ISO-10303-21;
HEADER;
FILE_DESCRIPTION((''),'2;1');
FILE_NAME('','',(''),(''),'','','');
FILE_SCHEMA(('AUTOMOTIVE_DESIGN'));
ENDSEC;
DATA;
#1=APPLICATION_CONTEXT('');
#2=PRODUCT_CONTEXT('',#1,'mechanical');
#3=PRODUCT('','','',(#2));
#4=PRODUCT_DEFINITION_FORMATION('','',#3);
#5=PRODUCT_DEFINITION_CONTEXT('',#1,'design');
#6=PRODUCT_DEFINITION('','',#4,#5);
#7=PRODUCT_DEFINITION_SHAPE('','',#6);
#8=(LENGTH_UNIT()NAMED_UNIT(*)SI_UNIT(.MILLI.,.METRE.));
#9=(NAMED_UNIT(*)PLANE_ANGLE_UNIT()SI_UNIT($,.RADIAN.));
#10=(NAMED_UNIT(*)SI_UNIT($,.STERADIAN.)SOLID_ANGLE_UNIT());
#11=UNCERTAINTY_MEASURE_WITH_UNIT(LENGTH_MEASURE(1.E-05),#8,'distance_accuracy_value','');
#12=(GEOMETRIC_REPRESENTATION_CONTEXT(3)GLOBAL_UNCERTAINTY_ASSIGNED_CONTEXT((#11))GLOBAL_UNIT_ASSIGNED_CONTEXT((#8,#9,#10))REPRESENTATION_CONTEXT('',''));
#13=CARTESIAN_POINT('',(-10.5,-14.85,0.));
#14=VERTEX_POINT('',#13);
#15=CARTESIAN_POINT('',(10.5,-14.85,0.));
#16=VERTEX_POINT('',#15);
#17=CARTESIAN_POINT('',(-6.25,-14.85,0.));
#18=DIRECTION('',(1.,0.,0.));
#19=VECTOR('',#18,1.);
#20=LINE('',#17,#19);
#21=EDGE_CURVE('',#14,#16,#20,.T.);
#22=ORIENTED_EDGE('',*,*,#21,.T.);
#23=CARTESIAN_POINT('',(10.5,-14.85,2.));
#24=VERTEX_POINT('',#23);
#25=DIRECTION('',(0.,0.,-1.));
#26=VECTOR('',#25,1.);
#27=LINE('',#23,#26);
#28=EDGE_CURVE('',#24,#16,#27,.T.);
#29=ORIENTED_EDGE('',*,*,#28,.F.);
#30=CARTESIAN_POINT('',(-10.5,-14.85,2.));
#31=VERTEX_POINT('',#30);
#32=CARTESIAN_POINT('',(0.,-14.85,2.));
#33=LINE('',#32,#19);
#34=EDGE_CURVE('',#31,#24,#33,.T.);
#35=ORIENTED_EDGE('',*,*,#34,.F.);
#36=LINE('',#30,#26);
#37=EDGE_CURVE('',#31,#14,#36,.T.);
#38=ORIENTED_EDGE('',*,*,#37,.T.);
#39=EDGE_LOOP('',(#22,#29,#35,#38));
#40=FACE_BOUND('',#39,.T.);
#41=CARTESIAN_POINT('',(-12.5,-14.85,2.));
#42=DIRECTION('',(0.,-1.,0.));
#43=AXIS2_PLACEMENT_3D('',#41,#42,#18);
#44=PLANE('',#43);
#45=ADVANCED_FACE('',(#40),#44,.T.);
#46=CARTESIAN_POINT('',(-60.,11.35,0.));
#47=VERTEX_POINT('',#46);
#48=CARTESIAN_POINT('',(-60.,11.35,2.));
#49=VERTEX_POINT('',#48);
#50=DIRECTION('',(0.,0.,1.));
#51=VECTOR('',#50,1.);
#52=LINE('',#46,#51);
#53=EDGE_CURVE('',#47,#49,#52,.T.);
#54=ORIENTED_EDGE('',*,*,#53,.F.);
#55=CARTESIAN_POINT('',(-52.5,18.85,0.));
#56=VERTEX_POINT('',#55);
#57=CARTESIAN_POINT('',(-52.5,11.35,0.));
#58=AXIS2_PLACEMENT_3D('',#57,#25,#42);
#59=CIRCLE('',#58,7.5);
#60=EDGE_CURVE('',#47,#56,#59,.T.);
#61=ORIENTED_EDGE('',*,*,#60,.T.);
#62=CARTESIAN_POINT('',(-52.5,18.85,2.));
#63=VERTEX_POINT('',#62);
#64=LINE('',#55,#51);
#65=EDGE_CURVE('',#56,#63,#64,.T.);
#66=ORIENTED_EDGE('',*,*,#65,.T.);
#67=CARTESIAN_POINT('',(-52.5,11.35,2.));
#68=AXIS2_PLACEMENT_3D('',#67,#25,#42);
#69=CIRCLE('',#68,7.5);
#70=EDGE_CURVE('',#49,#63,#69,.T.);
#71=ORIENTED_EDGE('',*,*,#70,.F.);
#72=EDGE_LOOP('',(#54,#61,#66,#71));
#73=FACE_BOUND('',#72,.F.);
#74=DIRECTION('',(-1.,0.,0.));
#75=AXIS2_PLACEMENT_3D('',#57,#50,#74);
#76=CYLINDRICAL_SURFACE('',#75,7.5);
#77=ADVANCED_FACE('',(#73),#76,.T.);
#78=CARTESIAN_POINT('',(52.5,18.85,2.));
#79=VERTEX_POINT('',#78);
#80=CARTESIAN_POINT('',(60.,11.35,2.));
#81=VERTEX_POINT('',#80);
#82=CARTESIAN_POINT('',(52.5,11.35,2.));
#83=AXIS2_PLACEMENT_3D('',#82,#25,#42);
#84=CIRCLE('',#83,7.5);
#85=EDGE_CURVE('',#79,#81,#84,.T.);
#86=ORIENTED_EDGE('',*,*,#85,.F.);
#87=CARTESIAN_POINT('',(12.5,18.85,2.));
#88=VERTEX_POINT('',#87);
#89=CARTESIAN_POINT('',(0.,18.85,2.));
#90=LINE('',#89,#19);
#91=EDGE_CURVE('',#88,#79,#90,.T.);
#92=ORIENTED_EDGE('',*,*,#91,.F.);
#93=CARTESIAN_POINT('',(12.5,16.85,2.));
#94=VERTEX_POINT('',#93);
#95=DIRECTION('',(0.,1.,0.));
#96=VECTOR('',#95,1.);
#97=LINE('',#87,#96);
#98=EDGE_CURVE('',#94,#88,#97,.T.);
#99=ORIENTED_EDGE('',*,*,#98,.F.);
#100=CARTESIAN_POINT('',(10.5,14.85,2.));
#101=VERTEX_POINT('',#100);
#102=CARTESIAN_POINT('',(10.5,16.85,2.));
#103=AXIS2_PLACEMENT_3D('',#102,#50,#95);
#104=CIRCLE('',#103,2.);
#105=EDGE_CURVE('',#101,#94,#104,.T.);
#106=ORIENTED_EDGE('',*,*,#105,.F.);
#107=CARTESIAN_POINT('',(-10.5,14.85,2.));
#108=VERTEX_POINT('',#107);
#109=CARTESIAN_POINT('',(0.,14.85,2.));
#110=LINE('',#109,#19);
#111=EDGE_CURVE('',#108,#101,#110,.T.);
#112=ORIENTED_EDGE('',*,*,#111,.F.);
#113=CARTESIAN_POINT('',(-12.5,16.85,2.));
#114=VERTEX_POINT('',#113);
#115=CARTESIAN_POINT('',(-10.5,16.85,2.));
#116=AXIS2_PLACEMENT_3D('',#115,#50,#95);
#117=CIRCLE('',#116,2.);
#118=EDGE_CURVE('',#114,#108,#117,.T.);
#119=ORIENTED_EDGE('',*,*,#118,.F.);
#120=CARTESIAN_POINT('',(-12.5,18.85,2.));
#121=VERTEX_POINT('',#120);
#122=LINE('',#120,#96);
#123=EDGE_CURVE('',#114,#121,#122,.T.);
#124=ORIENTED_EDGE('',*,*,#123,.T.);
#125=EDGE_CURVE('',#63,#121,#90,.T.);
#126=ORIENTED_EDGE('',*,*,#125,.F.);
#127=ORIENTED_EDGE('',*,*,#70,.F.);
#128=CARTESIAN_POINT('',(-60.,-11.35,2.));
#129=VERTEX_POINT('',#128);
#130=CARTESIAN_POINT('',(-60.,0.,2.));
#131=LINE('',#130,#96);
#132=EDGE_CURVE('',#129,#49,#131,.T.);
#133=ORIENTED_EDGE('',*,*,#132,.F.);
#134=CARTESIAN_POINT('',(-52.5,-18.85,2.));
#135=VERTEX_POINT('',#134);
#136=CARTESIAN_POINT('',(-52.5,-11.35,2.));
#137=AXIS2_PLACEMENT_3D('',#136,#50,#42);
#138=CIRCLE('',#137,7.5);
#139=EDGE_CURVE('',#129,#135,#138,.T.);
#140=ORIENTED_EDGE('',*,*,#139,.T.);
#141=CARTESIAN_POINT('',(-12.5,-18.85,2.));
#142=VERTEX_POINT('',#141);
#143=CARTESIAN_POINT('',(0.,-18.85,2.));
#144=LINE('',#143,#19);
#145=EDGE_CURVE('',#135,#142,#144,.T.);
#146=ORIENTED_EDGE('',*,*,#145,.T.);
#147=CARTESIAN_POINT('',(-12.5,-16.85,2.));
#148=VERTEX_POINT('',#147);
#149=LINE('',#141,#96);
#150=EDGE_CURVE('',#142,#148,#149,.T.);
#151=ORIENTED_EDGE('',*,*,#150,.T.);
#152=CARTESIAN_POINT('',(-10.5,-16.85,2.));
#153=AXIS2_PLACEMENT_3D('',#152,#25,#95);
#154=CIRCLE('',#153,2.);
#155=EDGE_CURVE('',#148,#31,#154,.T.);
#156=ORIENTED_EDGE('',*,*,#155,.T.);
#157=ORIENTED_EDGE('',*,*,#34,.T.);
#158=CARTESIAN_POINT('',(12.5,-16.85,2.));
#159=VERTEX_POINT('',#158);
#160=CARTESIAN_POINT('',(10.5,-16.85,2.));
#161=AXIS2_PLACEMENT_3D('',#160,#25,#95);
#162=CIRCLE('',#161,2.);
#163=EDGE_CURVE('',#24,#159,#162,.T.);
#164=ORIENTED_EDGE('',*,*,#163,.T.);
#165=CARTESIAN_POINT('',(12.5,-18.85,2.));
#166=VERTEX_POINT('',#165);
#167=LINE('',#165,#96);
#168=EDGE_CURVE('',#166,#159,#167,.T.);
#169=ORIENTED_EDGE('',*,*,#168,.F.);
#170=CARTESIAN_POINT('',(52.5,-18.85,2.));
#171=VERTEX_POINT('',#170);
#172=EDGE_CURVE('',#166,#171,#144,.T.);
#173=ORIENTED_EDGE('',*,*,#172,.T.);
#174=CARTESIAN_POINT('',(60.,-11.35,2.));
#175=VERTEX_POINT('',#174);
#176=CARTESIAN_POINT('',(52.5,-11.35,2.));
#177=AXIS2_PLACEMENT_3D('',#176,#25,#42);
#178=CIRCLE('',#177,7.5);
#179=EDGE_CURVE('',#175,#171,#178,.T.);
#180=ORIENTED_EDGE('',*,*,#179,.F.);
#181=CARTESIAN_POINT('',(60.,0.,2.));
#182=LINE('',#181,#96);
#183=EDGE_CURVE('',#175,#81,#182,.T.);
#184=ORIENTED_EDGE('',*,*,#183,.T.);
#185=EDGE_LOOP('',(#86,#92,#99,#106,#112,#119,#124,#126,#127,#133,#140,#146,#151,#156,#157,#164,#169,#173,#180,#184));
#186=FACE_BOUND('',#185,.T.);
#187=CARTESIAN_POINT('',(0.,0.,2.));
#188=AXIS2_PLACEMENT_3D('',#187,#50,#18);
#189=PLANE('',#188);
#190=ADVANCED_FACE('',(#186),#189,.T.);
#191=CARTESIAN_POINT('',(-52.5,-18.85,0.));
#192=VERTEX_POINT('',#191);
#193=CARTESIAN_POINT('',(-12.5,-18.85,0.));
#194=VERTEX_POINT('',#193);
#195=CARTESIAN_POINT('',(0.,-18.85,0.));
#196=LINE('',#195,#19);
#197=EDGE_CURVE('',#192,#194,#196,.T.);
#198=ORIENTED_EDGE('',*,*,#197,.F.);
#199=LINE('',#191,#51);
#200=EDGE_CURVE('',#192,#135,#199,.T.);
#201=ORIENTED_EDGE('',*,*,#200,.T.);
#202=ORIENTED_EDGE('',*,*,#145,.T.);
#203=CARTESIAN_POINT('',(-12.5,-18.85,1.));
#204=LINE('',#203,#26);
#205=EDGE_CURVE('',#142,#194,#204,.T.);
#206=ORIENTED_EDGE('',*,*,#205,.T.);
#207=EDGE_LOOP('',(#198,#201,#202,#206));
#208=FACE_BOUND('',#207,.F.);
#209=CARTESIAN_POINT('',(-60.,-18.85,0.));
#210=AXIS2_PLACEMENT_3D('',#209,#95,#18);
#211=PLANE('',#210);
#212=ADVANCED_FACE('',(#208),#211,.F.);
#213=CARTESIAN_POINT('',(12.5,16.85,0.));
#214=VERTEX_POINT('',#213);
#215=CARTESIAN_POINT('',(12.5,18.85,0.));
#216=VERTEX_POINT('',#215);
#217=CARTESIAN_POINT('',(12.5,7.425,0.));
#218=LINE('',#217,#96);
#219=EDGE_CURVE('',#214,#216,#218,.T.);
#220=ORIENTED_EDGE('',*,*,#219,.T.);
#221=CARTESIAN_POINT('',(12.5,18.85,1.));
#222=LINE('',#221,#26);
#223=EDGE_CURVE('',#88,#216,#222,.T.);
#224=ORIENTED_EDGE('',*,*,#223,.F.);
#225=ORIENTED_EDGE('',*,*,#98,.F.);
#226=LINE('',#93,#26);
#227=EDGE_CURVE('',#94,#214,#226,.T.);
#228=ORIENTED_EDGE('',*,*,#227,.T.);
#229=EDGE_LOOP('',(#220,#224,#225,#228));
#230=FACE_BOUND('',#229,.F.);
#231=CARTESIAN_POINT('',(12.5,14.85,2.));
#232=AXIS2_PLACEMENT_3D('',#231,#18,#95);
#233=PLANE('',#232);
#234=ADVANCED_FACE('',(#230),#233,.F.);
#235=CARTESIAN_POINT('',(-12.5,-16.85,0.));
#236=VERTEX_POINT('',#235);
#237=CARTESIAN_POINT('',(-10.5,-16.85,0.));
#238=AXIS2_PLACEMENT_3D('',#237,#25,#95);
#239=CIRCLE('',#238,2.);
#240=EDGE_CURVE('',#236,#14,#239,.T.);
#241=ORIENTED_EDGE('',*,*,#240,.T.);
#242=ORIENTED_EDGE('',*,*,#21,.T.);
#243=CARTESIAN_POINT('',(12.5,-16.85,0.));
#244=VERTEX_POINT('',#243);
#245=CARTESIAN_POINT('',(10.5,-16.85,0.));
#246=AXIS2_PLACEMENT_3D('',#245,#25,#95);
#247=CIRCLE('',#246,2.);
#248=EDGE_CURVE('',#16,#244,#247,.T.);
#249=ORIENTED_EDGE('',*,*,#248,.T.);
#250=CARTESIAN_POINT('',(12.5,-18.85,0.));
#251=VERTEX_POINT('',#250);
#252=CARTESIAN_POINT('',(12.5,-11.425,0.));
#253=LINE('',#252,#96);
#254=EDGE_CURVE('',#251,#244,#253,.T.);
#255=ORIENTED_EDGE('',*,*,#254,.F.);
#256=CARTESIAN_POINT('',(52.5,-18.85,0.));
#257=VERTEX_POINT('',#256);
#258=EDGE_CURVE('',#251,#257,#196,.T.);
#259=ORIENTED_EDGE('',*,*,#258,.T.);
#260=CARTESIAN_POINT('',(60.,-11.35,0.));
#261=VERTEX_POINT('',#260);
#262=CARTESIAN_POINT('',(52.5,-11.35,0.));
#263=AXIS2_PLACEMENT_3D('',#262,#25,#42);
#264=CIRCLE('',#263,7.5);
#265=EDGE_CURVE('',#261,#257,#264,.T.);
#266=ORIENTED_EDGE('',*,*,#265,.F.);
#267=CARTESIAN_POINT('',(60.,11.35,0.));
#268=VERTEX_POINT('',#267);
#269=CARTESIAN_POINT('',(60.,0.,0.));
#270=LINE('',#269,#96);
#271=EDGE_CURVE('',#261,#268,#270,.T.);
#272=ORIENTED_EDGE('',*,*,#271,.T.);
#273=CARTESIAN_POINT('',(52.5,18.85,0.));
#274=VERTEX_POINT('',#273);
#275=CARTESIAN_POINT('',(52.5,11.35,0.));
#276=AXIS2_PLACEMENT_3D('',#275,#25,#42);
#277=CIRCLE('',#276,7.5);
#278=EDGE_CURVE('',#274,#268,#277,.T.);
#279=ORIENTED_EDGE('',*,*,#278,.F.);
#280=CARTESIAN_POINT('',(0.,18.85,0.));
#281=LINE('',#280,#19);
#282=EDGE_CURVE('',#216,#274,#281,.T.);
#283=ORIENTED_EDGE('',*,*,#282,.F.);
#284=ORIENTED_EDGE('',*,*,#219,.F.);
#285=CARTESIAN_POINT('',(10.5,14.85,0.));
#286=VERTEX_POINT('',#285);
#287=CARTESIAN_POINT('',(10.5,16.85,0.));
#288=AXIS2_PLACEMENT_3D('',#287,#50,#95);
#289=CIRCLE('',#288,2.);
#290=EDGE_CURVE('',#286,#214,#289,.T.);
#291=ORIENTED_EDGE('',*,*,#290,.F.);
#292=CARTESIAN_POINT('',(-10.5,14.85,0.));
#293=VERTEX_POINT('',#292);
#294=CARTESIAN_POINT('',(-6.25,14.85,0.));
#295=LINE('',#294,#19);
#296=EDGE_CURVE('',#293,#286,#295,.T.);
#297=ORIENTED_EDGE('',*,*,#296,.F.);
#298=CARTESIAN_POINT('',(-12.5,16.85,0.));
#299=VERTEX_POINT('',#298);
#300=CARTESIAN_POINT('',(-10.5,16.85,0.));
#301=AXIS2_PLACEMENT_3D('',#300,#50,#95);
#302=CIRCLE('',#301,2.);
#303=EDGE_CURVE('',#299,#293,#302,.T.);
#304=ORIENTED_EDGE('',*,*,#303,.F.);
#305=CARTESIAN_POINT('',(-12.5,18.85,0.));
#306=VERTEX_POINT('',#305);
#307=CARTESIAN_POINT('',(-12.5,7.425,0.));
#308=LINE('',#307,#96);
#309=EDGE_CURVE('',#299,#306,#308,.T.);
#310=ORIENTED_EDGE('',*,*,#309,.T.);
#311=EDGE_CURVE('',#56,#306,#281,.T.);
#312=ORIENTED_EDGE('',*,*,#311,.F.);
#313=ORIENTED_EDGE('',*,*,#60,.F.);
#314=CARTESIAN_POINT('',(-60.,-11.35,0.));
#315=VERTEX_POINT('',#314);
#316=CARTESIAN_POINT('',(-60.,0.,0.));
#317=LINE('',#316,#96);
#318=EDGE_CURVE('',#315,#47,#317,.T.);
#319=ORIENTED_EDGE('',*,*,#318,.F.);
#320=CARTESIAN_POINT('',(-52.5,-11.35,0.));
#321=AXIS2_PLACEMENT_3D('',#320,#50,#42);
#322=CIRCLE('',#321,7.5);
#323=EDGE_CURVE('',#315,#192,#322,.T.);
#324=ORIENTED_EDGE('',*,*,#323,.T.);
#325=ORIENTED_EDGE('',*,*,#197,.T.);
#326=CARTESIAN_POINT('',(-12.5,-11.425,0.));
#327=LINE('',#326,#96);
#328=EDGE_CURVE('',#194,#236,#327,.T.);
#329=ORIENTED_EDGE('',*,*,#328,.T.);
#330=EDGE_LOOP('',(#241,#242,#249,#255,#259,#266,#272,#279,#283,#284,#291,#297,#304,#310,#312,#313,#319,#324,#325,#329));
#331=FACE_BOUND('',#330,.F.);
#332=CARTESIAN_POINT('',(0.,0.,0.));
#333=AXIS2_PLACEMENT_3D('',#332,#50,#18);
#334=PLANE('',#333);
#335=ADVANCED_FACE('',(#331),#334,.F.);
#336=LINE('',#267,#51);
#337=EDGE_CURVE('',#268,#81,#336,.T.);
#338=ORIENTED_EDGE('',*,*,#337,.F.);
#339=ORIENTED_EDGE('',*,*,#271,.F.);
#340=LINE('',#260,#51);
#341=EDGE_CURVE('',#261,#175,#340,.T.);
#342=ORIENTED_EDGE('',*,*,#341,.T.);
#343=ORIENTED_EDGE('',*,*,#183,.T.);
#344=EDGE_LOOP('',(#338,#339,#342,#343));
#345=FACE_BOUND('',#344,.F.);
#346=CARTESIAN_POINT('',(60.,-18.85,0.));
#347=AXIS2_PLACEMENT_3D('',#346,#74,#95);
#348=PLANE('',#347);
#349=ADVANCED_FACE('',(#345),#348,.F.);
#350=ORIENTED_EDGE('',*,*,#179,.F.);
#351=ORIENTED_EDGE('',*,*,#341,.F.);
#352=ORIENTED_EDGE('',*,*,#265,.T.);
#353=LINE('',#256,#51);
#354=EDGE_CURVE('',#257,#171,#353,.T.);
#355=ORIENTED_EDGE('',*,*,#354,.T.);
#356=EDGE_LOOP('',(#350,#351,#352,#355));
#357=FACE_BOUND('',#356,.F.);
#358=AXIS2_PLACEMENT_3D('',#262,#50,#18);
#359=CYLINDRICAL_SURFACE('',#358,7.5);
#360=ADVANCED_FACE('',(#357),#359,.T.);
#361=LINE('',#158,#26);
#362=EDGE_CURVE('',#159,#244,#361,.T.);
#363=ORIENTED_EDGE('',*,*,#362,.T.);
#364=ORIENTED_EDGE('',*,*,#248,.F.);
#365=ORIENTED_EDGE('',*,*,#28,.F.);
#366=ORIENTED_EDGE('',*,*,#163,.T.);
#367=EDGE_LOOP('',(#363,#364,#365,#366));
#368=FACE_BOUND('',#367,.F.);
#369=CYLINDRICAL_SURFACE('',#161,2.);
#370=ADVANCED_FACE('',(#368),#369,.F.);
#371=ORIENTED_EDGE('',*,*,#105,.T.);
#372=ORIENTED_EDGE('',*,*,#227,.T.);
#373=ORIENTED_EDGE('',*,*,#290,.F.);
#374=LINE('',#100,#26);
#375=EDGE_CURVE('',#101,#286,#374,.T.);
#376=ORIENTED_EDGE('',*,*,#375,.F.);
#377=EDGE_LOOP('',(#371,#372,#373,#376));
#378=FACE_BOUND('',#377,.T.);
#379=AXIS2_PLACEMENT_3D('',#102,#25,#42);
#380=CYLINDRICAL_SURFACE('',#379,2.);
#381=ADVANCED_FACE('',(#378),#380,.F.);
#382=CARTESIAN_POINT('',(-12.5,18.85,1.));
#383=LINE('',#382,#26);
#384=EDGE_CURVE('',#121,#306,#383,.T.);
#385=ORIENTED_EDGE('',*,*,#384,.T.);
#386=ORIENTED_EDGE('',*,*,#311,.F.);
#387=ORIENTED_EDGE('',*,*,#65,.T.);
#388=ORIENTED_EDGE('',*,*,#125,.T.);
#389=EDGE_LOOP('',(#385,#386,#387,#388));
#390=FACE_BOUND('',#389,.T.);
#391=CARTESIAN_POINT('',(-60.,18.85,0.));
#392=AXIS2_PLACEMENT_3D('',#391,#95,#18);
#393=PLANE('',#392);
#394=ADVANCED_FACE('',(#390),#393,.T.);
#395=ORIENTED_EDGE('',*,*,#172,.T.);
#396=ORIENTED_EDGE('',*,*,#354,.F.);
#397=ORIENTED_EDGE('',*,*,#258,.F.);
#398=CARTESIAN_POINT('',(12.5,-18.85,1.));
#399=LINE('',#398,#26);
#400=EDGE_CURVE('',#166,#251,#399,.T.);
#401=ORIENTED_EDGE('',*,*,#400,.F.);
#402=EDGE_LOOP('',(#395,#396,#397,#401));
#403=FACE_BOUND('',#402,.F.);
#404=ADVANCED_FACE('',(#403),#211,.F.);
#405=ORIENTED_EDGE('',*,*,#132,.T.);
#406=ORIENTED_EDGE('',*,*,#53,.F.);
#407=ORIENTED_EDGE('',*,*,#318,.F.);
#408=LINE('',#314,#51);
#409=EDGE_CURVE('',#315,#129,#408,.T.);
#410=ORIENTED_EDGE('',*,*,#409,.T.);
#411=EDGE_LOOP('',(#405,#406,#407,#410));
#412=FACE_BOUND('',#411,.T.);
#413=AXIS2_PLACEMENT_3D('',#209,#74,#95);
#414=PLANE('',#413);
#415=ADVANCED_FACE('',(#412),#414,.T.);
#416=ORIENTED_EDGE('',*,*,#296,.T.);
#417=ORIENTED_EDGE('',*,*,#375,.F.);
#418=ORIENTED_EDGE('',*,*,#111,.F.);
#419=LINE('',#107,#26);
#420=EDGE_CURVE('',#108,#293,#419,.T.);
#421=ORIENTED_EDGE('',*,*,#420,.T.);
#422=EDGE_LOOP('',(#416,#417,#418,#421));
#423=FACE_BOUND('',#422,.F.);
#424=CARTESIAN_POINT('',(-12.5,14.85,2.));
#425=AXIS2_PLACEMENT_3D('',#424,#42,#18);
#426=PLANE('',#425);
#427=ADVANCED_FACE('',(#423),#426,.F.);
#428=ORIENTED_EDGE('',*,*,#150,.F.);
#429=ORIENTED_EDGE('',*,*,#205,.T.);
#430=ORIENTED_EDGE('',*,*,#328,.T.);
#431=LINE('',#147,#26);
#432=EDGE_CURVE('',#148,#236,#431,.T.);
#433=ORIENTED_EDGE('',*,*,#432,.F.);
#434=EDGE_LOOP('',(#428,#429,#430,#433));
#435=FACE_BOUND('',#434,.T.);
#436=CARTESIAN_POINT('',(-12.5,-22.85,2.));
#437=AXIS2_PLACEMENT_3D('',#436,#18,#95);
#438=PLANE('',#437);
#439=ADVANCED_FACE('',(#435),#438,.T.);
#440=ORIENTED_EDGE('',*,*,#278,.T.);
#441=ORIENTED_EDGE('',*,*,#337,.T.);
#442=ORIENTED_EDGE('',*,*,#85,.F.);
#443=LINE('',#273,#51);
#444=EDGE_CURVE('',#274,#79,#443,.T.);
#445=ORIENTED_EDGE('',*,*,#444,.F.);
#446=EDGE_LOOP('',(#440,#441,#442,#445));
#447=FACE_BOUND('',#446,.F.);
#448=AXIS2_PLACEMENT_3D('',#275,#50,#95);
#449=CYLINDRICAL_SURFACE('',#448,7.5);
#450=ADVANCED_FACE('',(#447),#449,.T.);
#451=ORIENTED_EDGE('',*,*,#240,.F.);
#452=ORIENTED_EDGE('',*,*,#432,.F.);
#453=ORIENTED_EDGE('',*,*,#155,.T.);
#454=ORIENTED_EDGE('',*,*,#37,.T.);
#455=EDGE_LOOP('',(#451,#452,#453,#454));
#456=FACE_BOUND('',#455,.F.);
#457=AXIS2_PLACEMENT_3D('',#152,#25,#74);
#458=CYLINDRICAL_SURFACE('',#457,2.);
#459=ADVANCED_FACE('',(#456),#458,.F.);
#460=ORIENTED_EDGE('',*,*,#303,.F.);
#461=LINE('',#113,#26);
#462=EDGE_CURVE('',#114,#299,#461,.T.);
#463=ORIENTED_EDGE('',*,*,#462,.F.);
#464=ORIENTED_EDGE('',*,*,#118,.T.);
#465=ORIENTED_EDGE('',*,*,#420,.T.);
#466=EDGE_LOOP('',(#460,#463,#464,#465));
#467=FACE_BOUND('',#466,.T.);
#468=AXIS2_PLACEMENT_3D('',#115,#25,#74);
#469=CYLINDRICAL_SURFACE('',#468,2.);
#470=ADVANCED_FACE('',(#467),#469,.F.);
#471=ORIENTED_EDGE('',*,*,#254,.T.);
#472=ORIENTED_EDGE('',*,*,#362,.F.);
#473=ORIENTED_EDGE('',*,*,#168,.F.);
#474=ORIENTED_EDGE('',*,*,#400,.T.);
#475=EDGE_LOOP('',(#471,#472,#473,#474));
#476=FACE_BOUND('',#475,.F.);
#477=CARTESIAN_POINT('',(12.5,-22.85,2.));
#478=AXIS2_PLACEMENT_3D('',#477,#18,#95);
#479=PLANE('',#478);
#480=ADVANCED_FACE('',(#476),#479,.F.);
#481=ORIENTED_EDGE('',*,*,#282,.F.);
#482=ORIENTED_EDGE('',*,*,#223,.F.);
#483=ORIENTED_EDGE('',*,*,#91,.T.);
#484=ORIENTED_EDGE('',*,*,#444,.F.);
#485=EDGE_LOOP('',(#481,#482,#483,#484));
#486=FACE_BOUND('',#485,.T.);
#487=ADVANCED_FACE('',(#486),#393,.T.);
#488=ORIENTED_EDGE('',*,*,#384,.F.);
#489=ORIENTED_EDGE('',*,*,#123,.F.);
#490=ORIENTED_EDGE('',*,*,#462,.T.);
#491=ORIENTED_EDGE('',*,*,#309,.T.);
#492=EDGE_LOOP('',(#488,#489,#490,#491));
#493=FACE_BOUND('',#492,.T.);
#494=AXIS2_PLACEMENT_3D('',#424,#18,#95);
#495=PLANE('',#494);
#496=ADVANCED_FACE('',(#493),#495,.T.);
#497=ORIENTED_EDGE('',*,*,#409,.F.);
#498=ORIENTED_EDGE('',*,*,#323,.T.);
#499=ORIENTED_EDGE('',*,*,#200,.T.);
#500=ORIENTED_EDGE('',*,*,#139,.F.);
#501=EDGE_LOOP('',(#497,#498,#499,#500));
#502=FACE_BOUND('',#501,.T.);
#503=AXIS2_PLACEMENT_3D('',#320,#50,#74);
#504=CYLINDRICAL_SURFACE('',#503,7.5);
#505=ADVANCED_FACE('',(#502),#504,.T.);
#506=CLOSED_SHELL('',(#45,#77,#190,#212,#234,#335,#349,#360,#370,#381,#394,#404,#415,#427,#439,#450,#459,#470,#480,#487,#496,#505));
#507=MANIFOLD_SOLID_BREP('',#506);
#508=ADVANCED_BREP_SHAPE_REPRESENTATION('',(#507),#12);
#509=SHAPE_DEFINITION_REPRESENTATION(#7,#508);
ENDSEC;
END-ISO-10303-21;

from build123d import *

# Parameters (mm, degrees)
F0_W     = 120
F0_H     = 37.7
F1_DEPTH = 2
F2_W     = 25
F2_H     = 8
F3_DEPTH = 25
F4_R     = 7.5
F5_R     = 2


with BuildPart() as f1:
    # F0 (on Top) → F1 (new body)
    with BuildSketch(Plane.XY):
        Rectangle(F0_W, F0_H)
    extrude(amount=F1_DEPTH)

    # F2 (on face) → F3 (cut)
    with BuildSketch(Plane.XY.offset(2)):
        with Locations((0, 18.85)):
            Rectangle(F2_W, F2_H)
        with Locations((0, -18.85)):
            Rectangle(F2_W, F2_H)
    extrude(amount=-F3_DEPTH, mode=Mode.SUBTRACT)

    # F4
    f4_edges = [f1.edges().sort_by_distance(p)[0] for p in [
        (-60, -18.85, 1),
        (60, -18.85, 1),
        (60, 18.85, 1),
        (-60, 18.85, 1),
    ]]
    fillet(f4_edges, radius=F4_R)

    # F5
    f5_edges = [f1.edges().sort_by_distance(p)[0] for p in [
        (-12.5, 14.85, 1),
        (12.5, 14.85, 1),
        (-12.5, -14.85, 1),
        (12.5, -14.85, 1),
    ]]
    fillet(f5_edges, radius=F5_R)


solid = f1.part
